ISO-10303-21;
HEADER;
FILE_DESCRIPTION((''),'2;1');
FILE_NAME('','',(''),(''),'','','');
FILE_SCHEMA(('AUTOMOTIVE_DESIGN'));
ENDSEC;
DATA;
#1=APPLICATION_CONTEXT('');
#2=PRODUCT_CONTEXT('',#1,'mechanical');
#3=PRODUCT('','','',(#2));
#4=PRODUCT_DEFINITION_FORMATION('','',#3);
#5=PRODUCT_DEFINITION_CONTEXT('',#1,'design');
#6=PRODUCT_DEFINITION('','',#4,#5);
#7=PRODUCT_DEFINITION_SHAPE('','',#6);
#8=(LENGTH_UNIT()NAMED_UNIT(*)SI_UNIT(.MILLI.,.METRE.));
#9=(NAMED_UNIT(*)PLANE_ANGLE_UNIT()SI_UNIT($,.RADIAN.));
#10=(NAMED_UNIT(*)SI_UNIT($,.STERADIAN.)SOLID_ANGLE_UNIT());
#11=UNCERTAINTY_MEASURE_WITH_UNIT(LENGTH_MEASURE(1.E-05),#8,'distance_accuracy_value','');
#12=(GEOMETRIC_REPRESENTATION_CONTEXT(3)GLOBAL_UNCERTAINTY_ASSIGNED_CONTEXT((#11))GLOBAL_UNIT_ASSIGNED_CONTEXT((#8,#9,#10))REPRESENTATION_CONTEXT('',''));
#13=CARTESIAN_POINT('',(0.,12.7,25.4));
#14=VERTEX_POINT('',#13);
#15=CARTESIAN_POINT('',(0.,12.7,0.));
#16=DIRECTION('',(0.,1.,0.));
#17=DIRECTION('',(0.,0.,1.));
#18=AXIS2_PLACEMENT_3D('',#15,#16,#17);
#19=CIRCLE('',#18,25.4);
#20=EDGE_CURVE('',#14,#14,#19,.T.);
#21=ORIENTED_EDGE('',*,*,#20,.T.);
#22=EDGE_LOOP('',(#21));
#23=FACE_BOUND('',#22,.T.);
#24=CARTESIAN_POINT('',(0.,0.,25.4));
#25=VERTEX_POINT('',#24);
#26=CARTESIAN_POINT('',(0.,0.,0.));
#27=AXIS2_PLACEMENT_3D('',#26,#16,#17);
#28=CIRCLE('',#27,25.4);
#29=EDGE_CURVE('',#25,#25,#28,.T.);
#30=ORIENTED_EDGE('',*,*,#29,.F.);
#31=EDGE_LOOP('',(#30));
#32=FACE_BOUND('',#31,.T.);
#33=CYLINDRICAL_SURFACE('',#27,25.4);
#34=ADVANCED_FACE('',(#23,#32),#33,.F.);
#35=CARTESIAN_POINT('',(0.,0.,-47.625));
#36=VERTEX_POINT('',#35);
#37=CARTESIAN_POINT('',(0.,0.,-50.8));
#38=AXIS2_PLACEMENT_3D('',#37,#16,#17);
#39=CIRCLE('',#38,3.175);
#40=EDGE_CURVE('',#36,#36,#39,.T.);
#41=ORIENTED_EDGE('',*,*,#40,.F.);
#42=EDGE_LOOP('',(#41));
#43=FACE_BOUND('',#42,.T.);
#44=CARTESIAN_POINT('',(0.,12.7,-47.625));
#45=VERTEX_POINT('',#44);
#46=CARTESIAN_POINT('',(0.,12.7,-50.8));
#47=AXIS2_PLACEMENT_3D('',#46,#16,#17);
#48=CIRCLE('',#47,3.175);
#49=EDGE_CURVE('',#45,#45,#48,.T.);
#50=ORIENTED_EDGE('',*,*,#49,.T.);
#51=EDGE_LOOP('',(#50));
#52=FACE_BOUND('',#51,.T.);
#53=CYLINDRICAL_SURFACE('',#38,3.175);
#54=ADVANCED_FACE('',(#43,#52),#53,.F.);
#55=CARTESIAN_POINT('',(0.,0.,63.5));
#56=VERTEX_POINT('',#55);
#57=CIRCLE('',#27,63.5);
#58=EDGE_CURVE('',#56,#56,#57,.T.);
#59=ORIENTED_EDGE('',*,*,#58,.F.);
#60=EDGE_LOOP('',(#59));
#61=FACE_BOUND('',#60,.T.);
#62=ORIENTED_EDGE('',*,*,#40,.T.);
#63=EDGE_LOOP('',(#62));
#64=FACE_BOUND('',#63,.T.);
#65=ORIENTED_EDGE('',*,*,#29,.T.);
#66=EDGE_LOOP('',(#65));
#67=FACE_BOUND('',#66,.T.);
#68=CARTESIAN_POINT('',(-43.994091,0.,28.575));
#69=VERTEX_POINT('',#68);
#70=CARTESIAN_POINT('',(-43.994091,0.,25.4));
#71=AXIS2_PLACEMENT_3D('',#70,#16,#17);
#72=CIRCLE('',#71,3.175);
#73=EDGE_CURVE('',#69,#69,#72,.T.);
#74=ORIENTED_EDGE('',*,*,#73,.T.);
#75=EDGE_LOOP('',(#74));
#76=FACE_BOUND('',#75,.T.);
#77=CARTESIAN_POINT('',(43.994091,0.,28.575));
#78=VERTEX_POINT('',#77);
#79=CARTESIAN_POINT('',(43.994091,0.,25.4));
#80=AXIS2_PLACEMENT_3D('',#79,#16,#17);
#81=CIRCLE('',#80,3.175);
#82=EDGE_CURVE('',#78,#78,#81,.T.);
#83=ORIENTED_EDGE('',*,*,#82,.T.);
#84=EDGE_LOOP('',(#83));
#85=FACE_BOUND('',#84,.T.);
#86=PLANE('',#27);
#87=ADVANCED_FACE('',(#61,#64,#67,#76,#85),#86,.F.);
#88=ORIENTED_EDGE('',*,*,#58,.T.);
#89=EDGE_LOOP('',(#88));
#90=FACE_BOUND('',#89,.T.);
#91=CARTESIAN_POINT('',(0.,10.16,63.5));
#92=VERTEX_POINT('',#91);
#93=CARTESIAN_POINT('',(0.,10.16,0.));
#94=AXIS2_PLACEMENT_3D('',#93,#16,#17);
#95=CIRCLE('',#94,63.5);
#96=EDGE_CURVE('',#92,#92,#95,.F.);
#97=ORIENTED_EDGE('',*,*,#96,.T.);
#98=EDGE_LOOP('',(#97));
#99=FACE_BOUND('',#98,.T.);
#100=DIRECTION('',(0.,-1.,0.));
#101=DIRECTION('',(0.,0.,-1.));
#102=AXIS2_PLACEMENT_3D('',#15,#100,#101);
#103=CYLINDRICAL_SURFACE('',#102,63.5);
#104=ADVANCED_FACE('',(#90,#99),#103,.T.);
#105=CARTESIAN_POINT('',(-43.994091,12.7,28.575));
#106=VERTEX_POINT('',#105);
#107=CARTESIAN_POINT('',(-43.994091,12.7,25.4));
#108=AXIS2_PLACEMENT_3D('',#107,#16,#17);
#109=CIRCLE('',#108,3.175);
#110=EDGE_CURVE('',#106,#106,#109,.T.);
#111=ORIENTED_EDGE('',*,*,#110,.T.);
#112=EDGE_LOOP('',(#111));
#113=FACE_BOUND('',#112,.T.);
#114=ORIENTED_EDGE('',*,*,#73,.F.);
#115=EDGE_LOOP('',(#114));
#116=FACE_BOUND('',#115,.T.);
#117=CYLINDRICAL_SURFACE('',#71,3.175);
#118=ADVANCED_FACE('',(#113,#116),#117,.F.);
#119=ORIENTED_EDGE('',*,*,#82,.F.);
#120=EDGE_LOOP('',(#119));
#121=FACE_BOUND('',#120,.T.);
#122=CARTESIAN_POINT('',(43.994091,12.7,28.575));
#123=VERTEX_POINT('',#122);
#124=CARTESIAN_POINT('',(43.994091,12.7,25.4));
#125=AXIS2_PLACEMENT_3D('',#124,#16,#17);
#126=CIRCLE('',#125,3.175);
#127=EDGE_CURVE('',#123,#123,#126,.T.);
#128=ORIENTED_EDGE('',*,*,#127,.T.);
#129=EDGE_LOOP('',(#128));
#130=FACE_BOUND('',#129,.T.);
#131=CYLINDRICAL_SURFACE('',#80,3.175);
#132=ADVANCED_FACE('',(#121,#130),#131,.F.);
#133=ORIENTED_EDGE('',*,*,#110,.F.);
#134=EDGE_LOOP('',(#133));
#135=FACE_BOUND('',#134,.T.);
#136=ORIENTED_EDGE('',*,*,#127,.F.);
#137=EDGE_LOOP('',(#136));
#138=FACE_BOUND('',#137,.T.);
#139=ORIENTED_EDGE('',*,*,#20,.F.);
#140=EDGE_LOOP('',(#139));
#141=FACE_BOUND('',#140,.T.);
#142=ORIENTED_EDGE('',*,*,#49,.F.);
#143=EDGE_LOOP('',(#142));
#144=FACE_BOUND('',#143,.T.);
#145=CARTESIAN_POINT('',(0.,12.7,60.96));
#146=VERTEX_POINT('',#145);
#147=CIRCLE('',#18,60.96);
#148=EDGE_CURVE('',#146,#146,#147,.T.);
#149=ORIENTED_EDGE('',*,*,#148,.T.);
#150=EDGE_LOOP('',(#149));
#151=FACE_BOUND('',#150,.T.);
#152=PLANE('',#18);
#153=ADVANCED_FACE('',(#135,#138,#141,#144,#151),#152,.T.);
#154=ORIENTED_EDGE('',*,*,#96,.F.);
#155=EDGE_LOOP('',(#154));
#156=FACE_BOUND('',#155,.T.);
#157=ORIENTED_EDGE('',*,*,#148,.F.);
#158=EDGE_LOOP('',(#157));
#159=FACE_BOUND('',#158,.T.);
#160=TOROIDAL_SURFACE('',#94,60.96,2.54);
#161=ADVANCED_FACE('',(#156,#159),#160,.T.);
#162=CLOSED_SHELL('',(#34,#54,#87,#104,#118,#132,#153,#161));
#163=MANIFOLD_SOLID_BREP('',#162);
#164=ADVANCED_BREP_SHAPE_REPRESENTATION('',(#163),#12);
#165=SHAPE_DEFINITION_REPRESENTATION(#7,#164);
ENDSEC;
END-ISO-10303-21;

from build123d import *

# Parameters (mm, degrees)
SKETCH1_R           = 63.5
BOSS_EXTRUDE1_DEPTH = 12.7
SKETCH2_R           = 25.4
CUT_EXTRUDE1_DEPTH  = 13.7
SKETCH3_R           = 3.175
CUT_EXTRUDE2_DEPTH  = 13.7
FILLET1_R           = 2.54


with BuildPart() as part:
    # Sketch1 → Boss-Extrude1 (new body)
    with BuildSketch(Plane(origin=(0, 0, 0), x_dir=(1, 0, 0), z_dir=(0, 1, 0))):
        Circle(SKETCH1_R)
    extrude(amount=BOSS_EXTRUDE1_DEPTH)

    # Sketch2 → Cut-Extrude1 (cut, through all)
    with BuildSketch(Plane(origin=(0, 12.7, 0), x_dir=(1, 0, 0), z_dir=(0, 1, 0))):
        Circle(SKETCH2_R)
    extrude(amount=-CUT_EXTRUDE1_DEPTH, mode=Mode.SUBTRACT)

    # Sketch3 → Cut-Extrude2 (cut, through all)
    with BuildSketch(Plane(origin=(0, 12.7, 0), x_dir=(1, 0, 0), z_dir=(0, 1, 0))):
        with Locations((0, 50.8)):
            Circle(SKETCH3_R)
        with Locations((43.994090512, -25.4)):
            Circle(SKETCH3_R)
        with Locations((-43.994090512, -25.4)):
            Circle(SKETCH3_R)
    extrude(amount=-CUT_EXTRUDE2_DEPTH, mode=Mode.SUBTRACT)

    # Fillet1
    fillet1_edges = [part.edges().sort_by_distance(p)[0] for p in [
        (-63.5, 12.7, 0),
    ]]
    fillet(fillet1_edges, radius=FILLET1_R)


solid = part.part
